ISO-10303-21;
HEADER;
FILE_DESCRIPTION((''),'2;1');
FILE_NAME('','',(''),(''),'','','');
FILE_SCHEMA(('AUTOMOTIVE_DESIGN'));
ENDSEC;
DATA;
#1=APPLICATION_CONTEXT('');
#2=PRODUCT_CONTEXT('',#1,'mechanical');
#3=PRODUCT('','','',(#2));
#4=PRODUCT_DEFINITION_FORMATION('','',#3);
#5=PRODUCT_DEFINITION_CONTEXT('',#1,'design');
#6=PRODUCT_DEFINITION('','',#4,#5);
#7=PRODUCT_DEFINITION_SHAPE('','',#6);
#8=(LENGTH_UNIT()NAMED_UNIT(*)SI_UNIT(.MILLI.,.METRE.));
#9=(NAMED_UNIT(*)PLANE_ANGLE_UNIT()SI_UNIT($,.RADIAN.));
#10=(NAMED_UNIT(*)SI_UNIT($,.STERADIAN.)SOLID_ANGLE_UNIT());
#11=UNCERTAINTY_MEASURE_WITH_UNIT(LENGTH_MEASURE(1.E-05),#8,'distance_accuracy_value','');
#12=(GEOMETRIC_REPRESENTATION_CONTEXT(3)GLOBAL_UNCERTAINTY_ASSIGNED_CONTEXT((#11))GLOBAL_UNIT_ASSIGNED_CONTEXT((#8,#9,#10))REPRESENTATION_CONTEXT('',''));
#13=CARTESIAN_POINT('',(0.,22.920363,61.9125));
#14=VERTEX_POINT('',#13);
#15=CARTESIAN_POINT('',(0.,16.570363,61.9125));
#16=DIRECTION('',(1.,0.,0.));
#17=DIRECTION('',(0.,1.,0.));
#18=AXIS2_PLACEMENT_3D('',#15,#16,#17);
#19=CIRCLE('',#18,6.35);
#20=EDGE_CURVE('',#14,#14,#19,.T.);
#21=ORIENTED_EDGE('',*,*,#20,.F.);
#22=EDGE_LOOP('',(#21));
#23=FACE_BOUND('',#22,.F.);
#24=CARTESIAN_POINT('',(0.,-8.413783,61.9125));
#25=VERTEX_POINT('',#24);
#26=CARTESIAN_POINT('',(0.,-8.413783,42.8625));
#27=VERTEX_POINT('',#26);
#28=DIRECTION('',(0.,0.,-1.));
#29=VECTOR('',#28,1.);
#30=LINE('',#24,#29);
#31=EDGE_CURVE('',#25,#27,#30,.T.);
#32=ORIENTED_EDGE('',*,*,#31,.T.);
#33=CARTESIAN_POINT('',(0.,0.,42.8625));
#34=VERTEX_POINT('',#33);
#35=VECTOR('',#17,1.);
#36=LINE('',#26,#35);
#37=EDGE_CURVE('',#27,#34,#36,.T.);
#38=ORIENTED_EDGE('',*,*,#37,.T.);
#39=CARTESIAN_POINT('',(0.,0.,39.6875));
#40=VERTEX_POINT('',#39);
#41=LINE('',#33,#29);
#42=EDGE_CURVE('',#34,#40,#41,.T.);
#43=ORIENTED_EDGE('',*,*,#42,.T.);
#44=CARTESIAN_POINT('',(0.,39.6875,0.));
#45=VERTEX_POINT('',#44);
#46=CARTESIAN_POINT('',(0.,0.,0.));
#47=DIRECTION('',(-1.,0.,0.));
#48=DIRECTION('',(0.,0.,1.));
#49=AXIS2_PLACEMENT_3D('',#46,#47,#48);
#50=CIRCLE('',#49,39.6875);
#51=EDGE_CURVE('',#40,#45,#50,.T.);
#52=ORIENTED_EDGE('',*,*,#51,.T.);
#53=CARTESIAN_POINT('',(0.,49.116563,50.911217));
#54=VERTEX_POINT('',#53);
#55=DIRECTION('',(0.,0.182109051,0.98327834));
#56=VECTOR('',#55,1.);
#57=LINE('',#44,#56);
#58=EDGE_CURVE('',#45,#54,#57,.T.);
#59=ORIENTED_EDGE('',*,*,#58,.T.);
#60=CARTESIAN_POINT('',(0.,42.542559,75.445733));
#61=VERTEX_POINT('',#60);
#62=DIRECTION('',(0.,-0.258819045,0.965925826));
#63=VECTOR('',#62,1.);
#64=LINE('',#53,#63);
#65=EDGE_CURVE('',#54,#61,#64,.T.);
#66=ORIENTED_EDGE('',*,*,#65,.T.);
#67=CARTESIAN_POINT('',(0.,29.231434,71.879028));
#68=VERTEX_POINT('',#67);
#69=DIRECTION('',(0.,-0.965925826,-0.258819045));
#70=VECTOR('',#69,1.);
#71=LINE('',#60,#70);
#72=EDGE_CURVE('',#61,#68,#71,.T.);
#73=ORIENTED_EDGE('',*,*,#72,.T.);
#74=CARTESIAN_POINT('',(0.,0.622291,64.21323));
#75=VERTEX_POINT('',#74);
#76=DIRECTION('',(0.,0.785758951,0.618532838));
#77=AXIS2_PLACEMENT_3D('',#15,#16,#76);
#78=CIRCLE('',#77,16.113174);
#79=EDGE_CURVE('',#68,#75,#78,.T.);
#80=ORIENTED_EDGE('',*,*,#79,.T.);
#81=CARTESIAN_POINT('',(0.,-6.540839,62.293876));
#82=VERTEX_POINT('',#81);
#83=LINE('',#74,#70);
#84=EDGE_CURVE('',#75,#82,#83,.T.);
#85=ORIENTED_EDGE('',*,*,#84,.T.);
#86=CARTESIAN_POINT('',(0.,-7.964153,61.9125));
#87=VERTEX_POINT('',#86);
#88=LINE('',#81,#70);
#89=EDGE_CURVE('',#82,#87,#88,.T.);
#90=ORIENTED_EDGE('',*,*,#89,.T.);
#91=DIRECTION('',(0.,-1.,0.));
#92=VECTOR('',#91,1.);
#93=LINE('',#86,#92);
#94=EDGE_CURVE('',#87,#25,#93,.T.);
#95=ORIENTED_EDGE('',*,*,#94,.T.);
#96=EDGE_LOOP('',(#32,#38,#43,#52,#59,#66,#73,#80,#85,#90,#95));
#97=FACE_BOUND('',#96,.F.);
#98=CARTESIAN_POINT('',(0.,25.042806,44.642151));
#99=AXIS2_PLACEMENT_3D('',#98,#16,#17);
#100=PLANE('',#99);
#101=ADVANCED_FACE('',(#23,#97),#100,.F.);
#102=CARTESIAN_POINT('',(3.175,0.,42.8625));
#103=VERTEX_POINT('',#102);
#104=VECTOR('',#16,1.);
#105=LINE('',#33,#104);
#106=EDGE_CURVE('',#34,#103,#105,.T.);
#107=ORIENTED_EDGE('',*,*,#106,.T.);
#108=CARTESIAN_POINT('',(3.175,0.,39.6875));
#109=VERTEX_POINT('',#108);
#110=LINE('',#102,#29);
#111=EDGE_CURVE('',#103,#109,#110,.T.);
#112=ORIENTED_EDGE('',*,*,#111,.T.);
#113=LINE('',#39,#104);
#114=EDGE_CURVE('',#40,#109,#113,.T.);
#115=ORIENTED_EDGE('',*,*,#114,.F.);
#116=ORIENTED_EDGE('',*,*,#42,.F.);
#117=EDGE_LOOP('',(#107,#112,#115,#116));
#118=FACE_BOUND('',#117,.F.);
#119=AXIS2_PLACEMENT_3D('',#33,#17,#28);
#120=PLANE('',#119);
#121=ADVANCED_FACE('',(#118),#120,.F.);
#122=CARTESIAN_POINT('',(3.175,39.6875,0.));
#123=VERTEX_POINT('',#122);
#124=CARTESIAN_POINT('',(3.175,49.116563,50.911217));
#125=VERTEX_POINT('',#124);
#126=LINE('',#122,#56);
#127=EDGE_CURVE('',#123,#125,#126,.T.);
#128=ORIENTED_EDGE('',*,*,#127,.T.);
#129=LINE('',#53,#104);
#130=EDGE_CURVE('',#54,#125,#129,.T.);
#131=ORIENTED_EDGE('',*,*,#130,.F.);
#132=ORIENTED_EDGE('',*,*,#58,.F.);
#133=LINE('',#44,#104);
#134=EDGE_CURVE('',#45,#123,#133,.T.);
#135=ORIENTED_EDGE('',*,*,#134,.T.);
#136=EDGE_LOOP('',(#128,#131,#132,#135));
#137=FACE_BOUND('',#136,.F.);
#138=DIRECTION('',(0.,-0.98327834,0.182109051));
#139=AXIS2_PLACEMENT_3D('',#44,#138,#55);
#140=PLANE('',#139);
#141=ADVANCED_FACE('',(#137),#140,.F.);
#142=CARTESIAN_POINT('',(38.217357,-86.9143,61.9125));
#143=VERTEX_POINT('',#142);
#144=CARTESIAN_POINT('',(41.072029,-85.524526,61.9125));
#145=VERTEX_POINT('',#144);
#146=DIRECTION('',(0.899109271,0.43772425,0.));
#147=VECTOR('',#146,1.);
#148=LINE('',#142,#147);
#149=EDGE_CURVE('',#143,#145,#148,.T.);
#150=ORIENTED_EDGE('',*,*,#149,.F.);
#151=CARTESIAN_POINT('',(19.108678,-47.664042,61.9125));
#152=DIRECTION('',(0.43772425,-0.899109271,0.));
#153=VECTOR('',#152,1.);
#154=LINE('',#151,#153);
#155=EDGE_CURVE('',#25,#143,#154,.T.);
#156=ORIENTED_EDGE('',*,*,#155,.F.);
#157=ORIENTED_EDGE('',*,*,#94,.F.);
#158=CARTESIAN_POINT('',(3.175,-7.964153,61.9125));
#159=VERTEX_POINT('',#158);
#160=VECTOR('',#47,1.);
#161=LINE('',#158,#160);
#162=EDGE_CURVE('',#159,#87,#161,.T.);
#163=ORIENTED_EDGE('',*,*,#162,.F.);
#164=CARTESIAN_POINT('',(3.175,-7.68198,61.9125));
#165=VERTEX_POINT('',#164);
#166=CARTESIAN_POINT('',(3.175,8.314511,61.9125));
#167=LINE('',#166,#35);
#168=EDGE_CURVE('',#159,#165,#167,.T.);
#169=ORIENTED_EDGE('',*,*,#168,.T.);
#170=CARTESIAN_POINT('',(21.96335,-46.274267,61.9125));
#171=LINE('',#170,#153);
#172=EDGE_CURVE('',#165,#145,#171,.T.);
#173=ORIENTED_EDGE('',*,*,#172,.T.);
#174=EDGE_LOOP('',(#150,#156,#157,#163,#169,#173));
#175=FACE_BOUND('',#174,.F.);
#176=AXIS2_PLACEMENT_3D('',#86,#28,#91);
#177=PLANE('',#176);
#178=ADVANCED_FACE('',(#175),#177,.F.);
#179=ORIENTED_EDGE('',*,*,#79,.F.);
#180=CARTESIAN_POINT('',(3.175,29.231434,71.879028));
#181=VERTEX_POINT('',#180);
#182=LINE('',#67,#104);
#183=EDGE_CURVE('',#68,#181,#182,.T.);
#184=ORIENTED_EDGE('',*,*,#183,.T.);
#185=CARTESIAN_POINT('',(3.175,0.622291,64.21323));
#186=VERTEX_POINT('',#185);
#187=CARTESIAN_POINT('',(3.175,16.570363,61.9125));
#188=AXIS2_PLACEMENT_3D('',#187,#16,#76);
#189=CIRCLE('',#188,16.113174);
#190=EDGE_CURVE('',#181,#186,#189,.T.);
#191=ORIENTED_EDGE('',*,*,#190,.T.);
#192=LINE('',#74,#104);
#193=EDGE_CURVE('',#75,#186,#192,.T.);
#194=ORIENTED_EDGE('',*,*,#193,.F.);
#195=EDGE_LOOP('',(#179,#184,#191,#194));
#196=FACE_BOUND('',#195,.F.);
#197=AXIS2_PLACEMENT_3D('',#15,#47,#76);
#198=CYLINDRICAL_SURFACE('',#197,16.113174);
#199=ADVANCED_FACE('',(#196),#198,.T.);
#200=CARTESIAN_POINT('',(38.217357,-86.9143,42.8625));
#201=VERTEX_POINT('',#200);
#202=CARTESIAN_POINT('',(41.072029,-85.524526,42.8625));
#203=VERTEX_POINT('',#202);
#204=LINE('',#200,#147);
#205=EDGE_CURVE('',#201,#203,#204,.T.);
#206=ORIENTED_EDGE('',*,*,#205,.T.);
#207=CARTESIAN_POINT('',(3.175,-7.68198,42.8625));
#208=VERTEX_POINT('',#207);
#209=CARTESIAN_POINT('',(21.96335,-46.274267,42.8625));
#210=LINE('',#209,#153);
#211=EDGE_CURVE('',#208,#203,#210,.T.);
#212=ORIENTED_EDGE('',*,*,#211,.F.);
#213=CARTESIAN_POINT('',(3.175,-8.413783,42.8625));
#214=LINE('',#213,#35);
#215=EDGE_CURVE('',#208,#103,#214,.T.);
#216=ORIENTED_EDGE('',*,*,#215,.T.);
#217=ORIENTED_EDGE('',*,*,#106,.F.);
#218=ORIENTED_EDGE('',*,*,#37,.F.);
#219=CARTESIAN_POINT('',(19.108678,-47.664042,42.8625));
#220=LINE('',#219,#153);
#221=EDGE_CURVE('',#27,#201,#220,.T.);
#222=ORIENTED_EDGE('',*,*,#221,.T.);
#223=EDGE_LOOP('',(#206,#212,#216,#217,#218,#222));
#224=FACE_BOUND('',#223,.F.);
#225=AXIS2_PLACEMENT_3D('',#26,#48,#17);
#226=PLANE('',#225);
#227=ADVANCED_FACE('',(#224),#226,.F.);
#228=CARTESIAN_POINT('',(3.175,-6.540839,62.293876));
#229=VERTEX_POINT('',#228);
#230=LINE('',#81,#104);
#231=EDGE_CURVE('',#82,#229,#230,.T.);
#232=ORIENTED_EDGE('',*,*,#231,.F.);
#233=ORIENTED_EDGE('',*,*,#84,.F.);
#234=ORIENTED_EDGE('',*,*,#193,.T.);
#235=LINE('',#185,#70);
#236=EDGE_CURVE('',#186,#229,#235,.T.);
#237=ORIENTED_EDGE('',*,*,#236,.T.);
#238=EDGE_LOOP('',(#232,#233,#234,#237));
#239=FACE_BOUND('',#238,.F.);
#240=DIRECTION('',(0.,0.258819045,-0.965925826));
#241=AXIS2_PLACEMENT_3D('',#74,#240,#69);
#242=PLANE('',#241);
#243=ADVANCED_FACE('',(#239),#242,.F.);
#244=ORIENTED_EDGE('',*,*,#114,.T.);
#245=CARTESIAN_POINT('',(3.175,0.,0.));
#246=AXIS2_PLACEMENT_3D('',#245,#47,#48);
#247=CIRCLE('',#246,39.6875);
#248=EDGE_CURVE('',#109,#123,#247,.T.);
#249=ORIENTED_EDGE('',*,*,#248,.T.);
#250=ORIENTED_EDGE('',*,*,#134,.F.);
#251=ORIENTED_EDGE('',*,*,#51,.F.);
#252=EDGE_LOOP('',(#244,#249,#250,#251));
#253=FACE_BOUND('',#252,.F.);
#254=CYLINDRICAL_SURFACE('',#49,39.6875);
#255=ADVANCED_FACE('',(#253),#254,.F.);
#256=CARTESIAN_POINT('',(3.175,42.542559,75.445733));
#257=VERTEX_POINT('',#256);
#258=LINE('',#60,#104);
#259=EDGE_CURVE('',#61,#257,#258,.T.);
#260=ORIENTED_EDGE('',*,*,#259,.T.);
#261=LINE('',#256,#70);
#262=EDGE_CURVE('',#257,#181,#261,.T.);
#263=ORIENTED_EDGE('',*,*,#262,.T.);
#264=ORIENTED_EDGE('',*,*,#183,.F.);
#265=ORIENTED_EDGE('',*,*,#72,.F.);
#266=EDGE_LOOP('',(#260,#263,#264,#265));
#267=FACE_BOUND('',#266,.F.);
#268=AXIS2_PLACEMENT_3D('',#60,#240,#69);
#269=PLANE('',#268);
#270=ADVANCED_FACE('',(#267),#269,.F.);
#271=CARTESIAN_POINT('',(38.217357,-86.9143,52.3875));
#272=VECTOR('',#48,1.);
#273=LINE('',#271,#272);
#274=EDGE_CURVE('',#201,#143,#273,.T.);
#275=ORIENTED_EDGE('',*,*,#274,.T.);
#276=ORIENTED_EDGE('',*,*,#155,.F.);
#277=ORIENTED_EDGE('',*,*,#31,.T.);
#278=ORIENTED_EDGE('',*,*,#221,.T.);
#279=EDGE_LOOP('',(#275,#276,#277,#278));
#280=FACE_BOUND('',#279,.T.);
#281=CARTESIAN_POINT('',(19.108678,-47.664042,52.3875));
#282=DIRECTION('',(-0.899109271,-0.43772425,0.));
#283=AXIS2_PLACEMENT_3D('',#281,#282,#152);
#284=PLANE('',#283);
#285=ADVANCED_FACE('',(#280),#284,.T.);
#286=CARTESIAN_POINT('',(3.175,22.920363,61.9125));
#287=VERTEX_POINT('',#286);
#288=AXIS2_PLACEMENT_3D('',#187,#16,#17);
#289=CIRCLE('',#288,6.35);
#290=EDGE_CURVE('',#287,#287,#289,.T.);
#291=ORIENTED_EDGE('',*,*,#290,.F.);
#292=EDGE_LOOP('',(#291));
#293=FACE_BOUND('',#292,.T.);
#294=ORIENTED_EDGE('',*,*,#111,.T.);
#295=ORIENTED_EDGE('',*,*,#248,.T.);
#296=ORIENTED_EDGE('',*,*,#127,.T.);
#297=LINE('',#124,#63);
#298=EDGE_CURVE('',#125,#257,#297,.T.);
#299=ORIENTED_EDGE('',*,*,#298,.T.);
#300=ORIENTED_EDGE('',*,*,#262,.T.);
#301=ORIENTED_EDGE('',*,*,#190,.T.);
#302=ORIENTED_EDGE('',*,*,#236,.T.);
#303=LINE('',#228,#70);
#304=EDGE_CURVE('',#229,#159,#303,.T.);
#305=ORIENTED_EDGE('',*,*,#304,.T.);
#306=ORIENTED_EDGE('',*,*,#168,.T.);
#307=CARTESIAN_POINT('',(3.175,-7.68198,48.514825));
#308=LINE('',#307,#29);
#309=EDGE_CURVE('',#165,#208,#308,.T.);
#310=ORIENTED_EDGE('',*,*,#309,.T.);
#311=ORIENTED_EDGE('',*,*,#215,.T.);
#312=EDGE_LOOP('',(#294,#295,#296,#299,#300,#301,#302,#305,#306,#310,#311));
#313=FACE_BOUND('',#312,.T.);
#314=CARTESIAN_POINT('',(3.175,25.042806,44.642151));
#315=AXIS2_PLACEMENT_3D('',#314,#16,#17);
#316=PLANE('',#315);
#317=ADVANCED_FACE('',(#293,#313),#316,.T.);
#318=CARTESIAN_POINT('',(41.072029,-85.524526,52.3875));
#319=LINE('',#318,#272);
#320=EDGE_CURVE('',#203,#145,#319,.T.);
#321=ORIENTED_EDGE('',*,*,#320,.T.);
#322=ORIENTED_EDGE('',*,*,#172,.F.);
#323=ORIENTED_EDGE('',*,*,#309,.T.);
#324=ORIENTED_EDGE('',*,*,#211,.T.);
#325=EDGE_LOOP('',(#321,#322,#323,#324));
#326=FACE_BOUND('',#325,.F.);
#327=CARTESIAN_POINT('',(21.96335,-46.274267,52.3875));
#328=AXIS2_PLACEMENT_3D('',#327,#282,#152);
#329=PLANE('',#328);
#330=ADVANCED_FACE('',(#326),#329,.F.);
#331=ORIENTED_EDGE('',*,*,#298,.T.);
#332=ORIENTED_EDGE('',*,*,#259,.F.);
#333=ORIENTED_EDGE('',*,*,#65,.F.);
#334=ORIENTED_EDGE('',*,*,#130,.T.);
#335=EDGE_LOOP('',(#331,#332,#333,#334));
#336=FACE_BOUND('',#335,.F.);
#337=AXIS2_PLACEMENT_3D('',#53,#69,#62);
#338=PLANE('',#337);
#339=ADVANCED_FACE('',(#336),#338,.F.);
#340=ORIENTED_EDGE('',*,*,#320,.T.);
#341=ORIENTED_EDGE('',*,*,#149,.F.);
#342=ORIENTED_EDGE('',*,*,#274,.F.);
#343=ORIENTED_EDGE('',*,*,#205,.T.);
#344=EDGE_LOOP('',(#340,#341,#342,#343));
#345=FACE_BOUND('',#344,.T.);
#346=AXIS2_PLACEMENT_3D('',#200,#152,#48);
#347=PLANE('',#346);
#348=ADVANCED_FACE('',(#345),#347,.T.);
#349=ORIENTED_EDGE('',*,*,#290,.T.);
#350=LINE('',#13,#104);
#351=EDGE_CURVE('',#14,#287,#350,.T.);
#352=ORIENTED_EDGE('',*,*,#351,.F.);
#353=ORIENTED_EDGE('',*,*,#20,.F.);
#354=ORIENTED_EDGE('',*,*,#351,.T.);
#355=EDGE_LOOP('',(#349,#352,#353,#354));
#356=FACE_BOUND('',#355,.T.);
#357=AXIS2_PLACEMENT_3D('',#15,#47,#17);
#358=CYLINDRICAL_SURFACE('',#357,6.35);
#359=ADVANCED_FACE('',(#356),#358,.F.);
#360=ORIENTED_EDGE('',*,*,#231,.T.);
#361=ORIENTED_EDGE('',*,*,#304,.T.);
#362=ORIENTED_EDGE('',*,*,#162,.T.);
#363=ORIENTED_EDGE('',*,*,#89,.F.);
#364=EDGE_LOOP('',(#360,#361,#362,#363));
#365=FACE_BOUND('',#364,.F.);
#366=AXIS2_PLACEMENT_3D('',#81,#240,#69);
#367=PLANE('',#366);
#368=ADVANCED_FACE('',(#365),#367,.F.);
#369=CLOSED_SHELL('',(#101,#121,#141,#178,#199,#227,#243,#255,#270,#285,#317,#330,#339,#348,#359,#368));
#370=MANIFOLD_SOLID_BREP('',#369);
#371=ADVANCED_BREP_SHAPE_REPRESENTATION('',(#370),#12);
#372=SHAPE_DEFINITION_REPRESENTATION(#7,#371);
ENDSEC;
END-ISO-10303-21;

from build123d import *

# Parameters (mm, degrees)
F1_R     = 6.35
F4_DEPTH = 3.175
F3_W     = 87.3092064199
F3_H     = 19.05
F5_DEPTH = 3.175


with BuildPart() as f4:
    # F1 (on Right) → F4 (new body)
    with BuildSketch(Plane.YZ):
        with BuildLine():
            Line((0.6222905674, 64.2132304913), (-6.5408389588, 62.2938757195))
            Line((-6.5408389588, 62.2938757195), (-7.9641525208, 61.9125))
            Line((-7.9641525208, 61.9125), (-8.4137834582, 61.9125))
            Line((-8.4137834582, 61.9125), (-8.4137834582, 42.8625))
            Line((-8.4137834582, 42.8625), (0, 42.8625))
            Line((0, 42.8625), (0, 39.6875))
            ThreePointArc((0, 39.6875), (28.0633003783, 28.0633003783), (39.6875, 0))
            Line((39.6875, 0), (49.1165629467, 50.9112166305))
            Line((49.1165629467, 50.9112166305), (42.5425592011, 75.4457326182))
            Line((42.5425592011, 75.4457326182), (29.2314344936, 71.8790275025))
            ThreePointArc((29.2314344936, 71.8790275025), (12.3999670491, 77.4766313192), (0.6222905674, 64.2132304913))
        make_face()
        with Locations((16.5703634669, 61.9125)):
            Circle(F1_R, mode=Mode.SUBTRACT)
    extrude(amount=F4_DEPTH)

    # F3 (on line) → F5 (join)
    with BuildSketch(Plane(origin=(-3.3113448684, -1.612102107, 0), x_dir=(0.4377242502, -0.8991092708, 0), z_dir=(-0.8991092708, -0.4377242502, 0))):
        with Locations((51.2195139193, 52.3875)):
            Rectangle(F3_W, F3_H)
    extrude(amount=-F5_DEPTH)


solid = f4.part
